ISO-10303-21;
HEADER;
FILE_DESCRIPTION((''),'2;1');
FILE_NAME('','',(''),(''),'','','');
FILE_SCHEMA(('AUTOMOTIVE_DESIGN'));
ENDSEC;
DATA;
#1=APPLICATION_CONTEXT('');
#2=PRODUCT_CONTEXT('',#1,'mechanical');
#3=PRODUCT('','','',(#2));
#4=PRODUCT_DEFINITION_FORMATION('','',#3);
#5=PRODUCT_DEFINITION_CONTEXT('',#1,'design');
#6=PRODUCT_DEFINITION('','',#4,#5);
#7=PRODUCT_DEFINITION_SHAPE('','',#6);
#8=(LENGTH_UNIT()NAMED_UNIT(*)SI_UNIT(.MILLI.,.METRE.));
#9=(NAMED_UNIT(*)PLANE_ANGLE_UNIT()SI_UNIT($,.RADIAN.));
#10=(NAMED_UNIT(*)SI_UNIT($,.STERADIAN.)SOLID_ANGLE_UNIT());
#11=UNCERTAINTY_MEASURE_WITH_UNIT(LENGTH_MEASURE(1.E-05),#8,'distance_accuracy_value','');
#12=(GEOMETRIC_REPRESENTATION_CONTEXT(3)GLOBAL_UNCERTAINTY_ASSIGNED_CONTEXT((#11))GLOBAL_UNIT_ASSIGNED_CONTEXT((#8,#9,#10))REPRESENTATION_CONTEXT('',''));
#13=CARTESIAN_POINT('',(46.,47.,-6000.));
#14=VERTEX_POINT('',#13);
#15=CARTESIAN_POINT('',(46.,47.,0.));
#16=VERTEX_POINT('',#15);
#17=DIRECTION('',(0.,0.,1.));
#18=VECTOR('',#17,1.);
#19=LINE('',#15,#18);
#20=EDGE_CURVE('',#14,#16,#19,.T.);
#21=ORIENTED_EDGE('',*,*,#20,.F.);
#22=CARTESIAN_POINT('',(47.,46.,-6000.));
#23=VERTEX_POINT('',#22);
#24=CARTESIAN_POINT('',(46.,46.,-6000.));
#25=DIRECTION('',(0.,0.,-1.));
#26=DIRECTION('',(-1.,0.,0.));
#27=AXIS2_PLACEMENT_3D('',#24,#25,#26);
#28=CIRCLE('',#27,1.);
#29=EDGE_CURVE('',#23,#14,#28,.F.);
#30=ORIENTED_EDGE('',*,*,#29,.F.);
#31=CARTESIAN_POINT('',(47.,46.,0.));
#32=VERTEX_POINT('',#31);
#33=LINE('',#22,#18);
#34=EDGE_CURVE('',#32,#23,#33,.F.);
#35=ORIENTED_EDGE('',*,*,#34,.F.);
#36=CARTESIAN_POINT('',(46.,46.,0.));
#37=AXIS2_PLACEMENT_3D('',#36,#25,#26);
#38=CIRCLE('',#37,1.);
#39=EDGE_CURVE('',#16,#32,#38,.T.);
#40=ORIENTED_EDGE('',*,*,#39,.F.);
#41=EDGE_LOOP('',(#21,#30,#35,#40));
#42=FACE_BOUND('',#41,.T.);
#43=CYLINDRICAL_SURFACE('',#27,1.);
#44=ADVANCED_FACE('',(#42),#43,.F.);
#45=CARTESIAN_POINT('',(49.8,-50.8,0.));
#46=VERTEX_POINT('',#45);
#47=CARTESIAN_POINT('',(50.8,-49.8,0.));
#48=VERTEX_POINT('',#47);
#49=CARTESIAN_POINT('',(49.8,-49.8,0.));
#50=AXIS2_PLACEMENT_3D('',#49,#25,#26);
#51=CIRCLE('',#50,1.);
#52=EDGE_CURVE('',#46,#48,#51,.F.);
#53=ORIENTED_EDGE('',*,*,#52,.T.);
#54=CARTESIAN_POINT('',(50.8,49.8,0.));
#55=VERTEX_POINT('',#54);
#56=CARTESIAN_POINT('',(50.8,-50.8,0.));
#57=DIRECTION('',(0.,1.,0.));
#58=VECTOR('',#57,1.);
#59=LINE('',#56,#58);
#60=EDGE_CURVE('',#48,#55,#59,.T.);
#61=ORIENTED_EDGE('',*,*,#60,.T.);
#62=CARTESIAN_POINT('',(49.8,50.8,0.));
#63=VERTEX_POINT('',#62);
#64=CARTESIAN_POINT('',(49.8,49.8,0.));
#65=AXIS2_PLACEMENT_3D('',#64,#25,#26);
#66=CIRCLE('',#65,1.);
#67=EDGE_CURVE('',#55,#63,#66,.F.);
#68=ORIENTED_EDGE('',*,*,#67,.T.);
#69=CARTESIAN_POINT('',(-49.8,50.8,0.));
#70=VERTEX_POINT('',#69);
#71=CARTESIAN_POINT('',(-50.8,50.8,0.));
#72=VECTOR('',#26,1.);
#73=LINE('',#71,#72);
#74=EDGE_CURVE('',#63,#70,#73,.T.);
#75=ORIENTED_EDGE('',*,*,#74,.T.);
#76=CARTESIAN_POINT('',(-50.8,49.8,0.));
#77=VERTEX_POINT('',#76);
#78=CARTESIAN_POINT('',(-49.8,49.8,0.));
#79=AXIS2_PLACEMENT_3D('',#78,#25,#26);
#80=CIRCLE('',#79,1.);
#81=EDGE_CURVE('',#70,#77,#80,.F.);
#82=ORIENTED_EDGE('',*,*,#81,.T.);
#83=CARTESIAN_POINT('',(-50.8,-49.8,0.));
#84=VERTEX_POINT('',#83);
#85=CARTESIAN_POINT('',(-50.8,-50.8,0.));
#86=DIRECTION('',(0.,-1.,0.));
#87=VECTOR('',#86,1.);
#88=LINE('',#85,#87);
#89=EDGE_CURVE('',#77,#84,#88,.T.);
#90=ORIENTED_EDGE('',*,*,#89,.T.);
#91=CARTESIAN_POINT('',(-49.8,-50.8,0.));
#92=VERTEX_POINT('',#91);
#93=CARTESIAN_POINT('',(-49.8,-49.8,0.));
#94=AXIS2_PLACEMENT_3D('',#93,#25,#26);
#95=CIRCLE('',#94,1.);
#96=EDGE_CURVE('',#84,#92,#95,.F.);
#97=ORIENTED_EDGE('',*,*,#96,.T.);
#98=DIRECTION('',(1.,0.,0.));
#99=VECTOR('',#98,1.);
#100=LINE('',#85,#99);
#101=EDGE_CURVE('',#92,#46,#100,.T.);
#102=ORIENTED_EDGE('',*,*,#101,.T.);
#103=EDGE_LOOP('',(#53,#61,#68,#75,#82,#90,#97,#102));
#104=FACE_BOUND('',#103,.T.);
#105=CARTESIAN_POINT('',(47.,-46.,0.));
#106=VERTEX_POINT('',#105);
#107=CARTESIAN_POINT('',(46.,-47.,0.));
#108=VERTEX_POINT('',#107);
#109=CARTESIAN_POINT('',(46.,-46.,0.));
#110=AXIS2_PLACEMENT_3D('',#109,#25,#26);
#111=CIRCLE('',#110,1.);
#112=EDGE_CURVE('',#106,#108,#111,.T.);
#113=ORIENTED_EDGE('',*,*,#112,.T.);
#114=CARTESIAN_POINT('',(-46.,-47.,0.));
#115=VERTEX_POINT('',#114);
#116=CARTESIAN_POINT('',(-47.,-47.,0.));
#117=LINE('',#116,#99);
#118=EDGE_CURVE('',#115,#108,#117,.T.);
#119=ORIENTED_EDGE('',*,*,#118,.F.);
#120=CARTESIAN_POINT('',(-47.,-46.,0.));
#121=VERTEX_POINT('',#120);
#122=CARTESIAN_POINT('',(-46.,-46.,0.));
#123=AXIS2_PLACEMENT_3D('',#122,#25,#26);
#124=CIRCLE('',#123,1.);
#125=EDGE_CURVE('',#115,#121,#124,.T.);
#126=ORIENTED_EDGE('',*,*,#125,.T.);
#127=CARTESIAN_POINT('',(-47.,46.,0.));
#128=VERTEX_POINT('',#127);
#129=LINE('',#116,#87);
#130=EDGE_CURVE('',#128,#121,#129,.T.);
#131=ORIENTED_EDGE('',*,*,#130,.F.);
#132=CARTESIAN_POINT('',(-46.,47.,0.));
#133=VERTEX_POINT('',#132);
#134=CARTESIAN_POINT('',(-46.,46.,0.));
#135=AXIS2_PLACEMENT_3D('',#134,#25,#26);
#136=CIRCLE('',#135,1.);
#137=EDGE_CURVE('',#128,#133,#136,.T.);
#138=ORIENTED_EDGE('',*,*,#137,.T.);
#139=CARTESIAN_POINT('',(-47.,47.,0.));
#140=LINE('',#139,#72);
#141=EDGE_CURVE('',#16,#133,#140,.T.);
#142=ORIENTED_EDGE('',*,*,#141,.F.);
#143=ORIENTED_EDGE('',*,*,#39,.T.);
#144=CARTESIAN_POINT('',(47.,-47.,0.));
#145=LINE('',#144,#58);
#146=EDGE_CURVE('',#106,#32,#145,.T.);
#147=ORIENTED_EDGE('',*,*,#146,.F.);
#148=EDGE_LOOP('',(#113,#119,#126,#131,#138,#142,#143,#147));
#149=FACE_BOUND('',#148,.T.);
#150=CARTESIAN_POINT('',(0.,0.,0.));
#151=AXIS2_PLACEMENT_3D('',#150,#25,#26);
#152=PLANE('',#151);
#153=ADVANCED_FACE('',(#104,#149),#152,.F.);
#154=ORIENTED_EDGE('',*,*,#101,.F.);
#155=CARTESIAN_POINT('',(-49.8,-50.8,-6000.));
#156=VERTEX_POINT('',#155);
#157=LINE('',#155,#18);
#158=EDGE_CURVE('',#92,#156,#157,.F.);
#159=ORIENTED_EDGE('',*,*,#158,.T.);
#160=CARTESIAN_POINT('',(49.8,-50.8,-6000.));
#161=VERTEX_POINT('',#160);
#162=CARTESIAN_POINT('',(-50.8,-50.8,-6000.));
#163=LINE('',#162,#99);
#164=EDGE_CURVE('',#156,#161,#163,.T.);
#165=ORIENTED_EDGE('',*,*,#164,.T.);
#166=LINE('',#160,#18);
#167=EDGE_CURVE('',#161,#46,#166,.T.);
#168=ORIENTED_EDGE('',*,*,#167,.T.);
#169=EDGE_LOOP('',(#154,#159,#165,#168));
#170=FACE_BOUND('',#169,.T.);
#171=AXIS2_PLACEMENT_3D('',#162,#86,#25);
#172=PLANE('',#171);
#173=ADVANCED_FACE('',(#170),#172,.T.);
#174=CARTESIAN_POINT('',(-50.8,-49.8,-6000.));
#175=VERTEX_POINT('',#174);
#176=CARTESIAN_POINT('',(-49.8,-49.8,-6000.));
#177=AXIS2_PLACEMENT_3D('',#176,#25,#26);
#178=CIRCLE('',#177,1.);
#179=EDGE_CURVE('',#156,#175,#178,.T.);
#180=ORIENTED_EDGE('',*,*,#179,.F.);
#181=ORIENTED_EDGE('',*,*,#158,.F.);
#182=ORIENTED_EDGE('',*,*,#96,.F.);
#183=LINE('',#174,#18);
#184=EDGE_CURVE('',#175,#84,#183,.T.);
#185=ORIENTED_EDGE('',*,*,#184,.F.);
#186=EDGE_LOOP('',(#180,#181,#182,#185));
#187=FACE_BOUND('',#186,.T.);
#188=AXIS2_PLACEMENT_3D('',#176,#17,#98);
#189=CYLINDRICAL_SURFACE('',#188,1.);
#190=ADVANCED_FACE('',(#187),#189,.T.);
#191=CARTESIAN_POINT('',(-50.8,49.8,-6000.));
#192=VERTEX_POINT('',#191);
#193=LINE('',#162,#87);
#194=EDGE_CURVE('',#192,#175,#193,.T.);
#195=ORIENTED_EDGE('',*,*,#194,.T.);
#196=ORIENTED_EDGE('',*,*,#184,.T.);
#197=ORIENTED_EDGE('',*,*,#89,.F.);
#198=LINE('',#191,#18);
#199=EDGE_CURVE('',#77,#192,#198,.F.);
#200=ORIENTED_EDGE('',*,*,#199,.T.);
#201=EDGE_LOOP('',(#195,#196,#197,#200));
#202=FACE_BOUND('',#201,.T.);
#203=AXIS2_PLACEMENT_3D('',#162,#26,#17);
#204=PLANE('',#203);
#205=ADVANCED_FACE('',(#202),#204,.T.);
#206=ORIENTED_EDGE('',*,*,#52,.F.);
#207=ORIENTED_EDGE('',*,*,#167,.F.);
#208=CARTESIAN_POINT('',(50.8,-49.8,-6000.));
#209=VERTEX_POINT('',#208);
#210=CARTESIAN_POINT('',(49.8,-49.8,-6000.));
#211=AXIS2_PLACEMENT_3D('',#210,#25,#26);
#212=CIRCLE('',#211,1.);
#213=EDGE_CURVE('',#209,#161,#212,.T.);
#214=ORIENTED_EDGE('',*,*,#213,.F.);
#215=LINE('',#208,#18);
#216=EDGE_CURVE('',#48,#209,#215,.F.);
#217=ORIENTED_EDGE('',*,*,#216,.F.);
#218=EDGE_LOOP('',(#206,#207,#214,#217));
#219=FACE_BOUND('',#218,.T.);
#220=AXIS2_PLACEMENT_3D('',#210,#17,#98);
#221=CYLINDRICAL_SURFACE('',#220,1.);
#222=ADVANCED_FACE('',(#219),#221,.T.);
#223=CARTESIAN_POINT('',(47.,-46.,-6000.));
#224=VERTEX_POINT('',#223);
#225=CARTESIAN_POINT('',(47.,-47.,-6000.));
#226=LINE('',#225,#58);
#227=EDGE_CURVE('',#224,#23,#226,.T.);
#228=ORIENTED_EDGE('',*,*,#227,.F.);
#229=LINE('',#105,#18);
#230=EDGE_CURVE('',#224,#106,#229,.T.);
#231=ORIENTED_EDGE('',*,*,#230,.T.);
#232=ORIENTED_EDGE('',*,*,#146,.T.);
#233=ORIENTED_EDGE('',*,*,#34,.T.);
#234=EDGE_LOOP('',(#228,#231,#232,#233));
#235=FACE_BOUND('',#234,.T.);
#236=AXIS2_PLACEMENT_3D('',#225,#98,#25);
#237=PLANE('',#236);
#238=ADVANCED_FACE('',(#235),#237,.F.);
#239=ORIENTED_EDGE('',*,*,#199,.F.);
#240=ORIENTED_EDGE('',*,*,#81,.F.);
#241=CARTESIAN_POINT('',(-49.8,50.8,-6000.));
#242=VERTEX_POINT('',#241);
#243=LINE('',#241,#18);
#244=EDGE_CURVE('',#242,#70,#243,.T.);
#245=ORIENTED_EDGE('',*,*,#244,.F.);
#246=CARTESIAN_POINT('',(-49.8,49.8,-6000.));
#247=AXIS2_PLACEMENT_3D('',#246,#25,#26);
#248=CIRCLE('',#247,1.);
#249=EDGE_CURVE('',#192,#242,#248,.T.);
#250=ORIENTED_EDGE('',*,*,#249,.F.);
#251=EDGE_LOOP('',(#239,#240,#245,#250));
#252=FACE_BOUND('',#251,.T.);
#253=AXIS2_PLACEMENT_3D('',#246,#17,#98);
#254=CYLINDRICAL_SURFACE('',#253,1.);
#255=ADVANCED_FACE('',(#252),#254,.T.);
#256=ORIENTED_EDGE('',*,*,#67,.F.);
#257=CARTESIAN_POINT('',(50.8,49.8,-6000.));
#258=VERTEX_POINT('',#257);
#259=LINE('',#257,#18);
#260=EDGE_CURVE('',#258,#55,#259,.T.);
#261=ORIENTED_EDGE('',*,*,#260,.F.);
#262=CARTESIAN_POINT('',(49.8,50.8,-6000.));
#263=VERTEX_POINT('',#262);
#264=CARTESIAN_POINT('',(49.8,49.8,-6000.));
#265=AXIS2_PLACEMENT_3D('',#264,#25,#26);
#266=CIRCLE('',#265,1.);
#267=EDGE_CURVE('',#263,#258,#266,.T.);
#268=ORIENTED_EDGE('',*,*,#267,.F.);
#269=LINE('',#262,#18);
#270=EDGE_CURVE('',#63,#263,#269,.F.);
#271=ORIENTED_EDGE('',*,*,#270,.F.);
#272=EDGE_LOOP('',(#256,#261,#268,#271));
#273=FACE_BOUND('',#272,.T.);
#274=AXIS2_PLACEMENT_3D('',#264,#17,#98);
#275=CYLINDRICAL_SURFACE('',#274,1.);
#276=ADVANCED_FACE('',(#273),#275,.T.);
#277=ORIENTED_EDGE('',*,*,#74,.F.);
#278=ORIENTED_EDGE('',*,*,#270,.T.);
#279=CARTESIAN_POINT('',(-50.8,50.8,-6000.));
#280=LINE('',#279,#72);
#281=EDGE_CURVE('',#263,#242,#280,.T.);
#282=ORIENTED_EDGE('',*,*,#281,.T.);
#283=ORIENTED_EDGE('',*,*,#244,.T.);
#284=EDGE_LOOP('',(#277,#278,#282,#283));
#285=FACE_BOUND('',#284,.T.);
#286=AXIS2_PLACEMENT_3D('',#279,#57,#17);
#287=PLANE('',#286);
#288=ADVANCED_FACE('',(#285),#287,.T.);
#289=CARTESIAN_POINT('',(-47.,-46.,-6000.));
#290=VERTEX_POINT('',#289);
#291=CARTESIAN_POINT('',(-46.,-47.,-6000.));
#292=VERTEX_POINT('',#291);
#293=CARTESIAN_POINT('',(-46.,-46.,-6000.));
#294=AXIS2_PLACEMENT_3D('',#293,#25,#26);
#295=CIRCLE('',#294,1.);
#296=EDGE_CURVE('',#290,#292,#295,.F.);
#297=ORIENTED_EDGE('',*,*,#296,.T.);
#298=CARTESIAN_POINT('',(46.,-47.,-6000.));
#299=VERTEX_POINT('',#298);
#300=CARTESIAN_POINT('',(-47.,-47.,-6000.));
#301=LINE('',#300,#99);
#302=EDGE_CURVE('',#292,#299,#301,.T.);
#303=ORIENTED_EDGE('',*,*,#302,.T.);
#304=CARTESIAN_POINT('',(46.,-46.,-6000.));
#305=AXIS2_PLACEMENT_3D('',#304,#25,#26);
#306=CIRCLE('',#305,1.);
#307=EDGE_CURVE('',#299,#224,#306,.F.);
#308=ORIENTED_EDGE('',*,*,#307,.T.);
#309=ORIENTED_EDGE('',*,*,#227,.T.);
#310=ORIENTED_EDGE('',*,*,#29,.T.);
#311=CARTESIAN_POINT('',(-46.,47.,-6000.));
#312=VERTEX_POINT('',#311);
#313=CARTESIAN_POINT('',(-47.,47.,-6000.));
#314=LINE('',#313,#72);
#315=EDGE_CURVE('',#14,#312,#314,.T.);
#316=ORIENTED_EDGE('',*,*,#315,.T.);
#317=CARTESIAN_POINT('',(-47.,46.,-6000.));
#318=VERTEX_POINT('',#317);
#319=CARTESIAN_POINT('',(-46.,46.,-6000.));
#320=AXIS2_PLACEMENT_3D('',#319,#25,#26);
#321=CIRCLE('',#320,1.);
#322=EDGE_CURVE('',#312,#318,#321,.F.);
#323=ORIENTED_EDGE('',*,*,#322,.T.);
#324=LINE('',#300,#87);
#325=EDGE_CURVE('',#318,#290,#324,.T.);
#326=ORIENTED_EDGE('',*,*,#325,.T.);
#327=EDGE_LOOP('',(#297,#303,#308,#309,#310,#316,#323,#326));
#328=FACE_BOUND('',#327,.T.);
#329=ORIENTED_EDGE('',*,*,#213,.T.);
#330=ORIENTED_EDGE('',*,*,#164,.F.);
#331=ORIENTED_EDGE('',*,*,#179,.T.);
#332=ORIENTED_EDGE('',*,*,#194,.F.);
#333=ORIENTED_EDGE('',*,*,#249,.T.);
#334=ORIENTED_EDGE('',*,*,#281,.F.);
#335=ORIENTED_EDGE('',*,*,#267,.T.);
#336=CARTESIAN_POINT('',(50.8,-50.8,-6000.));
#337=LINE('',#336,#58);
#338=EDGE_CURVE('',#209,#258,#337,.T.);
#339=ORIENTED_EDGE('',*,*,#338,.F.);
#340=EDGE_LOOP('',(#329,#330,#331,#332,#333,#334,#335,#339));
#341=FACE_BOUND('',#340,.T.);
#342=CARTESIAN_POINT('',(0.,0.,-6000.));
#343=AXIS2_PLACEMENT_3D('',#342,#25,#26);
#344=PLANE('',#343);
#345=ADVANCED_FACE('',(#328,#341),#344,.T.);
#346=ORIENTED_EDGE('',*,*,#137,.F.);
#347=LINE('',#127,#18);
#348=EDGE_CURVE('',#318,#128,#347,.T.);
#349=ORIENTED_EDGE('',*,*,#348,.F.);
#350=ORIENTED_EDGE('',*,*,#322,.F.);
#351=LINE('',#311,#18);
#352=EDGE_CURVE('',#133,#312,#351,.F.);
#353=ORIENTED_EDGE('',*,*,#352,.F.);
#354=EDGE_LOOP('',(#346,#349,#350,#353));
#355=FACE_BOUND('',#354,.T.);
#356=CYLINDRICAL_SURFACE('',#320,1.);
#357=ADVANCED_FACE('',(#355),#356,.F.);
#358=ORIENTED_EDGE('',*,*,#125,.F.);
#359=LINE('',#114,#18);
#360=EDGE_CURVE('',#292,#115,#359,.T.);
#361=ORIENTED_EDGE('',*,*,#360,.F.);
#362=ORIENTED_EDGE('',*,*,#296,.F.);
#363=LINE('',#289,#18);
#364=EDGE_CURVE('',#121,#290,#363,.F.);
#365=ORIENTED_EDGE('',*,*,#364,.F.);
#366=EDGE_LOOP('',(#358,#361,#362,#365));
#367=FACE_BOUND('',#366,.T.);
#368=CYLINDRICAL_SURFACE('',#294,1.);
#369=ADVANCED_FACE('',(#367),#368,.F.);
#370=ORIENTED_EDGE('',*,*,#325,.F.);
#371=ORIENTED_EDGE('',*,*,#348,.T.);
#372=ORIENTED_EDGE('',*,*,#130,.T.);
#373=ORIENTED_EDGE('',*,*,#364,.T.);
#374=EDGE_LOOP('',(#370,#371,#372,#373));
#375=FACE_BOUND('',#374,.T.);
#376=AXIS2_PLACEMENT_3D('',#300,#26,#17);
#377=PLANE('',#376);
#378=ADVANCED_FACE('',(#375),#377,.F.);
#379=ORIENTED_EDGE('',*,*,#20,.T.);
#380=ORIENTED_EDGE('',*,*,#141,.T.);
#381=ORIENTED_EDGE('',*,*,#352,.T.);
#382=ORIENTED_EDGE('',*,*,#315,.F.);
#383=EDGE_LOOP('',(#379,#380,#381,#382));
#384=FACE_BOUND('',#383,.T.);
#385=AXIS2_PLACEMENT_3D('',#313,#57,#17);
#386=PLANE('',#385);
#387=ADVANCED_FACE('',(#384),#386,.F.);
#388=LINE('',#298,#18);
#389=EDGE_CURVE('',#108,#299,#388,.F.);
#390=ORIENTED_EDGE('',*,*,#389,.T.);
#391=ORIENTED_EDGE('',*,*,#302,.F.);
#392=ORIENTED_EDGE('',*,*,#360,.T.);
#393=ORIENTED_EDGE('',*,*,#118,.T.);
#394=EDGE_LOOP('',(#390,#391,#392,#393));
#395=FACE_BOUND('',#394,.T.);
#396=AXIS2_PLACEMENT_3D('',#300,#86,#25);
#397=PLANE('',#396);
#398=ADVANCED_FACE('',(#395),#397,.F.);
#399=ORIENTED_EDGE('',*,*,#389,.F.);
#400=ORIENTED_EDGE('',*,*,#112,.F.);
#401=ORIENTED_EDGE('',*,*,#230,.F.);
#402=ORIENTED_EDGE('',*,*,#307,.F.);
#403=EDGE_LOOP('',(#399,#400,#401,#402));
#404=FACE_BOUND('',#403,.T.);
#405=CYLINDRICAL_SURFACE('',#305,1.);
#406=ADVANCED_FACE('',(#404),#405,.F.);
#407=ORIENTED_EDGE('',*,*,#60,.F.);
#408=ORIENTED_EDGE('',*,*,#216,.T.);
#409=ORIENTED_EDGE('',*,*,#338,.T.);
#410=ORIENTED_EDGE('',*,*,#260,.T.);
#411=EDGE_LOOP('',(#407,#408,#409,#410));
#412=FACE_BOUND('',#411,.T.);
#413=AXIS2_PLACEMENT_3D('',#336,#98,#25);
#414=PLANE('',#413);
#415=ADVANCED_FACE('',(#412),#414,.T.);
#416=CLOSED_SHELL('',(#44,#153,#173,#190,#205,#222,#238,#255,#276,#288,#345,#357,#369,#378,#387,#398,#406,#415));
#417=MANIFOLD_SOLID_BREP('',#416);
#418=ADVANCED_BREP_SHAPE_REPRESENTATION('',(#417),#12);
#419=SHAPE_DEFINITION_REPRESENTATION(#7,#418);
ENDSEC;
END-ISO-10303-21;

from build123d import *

# Parameters (mm, degrees)
CROQUIS1_W              = 101.6
CROQUIS1_H              = 101.6
CROQUIS1_W_2            = 94
CROQUIS1_H_2            = 94
SALIENTE_EXTRUIR1_DEPTH = 6000
REDONDEO1_R             = 1


with BuildPart() as part:
    # Croquis1 → Saliente-Extruir1 (new body)
    with BuildSketch(Plane.XY):
        Rectangle(CROQUIS1_W, CROQUIS1_H)
        Rectangle(CROQUIS1_W_2, CROQUIS1_H_2, mode=Mode.SUBTRACT)
    extrude(amount=-SALIENTE_EXTRUIR1_DEPTH)

    # Redondeo1
    redondeo1_edges = [part.edges().sort_by_distance(p)[0] for p in [
        (47, -47, -3000),
        (-47, -47, -3000),
        (-47, 47, -3000),
        (47, 47, -3000),
        (50.8, -50.8, -3000),
        (-50.8, -50.8, -3000),
        (-50.8, 50.8, -3000),
        (50.8, 50.8, -3000),
    ]]
    fillet(redondeo1_edges, radius=REDONDEO1_R)


solid = part.part
